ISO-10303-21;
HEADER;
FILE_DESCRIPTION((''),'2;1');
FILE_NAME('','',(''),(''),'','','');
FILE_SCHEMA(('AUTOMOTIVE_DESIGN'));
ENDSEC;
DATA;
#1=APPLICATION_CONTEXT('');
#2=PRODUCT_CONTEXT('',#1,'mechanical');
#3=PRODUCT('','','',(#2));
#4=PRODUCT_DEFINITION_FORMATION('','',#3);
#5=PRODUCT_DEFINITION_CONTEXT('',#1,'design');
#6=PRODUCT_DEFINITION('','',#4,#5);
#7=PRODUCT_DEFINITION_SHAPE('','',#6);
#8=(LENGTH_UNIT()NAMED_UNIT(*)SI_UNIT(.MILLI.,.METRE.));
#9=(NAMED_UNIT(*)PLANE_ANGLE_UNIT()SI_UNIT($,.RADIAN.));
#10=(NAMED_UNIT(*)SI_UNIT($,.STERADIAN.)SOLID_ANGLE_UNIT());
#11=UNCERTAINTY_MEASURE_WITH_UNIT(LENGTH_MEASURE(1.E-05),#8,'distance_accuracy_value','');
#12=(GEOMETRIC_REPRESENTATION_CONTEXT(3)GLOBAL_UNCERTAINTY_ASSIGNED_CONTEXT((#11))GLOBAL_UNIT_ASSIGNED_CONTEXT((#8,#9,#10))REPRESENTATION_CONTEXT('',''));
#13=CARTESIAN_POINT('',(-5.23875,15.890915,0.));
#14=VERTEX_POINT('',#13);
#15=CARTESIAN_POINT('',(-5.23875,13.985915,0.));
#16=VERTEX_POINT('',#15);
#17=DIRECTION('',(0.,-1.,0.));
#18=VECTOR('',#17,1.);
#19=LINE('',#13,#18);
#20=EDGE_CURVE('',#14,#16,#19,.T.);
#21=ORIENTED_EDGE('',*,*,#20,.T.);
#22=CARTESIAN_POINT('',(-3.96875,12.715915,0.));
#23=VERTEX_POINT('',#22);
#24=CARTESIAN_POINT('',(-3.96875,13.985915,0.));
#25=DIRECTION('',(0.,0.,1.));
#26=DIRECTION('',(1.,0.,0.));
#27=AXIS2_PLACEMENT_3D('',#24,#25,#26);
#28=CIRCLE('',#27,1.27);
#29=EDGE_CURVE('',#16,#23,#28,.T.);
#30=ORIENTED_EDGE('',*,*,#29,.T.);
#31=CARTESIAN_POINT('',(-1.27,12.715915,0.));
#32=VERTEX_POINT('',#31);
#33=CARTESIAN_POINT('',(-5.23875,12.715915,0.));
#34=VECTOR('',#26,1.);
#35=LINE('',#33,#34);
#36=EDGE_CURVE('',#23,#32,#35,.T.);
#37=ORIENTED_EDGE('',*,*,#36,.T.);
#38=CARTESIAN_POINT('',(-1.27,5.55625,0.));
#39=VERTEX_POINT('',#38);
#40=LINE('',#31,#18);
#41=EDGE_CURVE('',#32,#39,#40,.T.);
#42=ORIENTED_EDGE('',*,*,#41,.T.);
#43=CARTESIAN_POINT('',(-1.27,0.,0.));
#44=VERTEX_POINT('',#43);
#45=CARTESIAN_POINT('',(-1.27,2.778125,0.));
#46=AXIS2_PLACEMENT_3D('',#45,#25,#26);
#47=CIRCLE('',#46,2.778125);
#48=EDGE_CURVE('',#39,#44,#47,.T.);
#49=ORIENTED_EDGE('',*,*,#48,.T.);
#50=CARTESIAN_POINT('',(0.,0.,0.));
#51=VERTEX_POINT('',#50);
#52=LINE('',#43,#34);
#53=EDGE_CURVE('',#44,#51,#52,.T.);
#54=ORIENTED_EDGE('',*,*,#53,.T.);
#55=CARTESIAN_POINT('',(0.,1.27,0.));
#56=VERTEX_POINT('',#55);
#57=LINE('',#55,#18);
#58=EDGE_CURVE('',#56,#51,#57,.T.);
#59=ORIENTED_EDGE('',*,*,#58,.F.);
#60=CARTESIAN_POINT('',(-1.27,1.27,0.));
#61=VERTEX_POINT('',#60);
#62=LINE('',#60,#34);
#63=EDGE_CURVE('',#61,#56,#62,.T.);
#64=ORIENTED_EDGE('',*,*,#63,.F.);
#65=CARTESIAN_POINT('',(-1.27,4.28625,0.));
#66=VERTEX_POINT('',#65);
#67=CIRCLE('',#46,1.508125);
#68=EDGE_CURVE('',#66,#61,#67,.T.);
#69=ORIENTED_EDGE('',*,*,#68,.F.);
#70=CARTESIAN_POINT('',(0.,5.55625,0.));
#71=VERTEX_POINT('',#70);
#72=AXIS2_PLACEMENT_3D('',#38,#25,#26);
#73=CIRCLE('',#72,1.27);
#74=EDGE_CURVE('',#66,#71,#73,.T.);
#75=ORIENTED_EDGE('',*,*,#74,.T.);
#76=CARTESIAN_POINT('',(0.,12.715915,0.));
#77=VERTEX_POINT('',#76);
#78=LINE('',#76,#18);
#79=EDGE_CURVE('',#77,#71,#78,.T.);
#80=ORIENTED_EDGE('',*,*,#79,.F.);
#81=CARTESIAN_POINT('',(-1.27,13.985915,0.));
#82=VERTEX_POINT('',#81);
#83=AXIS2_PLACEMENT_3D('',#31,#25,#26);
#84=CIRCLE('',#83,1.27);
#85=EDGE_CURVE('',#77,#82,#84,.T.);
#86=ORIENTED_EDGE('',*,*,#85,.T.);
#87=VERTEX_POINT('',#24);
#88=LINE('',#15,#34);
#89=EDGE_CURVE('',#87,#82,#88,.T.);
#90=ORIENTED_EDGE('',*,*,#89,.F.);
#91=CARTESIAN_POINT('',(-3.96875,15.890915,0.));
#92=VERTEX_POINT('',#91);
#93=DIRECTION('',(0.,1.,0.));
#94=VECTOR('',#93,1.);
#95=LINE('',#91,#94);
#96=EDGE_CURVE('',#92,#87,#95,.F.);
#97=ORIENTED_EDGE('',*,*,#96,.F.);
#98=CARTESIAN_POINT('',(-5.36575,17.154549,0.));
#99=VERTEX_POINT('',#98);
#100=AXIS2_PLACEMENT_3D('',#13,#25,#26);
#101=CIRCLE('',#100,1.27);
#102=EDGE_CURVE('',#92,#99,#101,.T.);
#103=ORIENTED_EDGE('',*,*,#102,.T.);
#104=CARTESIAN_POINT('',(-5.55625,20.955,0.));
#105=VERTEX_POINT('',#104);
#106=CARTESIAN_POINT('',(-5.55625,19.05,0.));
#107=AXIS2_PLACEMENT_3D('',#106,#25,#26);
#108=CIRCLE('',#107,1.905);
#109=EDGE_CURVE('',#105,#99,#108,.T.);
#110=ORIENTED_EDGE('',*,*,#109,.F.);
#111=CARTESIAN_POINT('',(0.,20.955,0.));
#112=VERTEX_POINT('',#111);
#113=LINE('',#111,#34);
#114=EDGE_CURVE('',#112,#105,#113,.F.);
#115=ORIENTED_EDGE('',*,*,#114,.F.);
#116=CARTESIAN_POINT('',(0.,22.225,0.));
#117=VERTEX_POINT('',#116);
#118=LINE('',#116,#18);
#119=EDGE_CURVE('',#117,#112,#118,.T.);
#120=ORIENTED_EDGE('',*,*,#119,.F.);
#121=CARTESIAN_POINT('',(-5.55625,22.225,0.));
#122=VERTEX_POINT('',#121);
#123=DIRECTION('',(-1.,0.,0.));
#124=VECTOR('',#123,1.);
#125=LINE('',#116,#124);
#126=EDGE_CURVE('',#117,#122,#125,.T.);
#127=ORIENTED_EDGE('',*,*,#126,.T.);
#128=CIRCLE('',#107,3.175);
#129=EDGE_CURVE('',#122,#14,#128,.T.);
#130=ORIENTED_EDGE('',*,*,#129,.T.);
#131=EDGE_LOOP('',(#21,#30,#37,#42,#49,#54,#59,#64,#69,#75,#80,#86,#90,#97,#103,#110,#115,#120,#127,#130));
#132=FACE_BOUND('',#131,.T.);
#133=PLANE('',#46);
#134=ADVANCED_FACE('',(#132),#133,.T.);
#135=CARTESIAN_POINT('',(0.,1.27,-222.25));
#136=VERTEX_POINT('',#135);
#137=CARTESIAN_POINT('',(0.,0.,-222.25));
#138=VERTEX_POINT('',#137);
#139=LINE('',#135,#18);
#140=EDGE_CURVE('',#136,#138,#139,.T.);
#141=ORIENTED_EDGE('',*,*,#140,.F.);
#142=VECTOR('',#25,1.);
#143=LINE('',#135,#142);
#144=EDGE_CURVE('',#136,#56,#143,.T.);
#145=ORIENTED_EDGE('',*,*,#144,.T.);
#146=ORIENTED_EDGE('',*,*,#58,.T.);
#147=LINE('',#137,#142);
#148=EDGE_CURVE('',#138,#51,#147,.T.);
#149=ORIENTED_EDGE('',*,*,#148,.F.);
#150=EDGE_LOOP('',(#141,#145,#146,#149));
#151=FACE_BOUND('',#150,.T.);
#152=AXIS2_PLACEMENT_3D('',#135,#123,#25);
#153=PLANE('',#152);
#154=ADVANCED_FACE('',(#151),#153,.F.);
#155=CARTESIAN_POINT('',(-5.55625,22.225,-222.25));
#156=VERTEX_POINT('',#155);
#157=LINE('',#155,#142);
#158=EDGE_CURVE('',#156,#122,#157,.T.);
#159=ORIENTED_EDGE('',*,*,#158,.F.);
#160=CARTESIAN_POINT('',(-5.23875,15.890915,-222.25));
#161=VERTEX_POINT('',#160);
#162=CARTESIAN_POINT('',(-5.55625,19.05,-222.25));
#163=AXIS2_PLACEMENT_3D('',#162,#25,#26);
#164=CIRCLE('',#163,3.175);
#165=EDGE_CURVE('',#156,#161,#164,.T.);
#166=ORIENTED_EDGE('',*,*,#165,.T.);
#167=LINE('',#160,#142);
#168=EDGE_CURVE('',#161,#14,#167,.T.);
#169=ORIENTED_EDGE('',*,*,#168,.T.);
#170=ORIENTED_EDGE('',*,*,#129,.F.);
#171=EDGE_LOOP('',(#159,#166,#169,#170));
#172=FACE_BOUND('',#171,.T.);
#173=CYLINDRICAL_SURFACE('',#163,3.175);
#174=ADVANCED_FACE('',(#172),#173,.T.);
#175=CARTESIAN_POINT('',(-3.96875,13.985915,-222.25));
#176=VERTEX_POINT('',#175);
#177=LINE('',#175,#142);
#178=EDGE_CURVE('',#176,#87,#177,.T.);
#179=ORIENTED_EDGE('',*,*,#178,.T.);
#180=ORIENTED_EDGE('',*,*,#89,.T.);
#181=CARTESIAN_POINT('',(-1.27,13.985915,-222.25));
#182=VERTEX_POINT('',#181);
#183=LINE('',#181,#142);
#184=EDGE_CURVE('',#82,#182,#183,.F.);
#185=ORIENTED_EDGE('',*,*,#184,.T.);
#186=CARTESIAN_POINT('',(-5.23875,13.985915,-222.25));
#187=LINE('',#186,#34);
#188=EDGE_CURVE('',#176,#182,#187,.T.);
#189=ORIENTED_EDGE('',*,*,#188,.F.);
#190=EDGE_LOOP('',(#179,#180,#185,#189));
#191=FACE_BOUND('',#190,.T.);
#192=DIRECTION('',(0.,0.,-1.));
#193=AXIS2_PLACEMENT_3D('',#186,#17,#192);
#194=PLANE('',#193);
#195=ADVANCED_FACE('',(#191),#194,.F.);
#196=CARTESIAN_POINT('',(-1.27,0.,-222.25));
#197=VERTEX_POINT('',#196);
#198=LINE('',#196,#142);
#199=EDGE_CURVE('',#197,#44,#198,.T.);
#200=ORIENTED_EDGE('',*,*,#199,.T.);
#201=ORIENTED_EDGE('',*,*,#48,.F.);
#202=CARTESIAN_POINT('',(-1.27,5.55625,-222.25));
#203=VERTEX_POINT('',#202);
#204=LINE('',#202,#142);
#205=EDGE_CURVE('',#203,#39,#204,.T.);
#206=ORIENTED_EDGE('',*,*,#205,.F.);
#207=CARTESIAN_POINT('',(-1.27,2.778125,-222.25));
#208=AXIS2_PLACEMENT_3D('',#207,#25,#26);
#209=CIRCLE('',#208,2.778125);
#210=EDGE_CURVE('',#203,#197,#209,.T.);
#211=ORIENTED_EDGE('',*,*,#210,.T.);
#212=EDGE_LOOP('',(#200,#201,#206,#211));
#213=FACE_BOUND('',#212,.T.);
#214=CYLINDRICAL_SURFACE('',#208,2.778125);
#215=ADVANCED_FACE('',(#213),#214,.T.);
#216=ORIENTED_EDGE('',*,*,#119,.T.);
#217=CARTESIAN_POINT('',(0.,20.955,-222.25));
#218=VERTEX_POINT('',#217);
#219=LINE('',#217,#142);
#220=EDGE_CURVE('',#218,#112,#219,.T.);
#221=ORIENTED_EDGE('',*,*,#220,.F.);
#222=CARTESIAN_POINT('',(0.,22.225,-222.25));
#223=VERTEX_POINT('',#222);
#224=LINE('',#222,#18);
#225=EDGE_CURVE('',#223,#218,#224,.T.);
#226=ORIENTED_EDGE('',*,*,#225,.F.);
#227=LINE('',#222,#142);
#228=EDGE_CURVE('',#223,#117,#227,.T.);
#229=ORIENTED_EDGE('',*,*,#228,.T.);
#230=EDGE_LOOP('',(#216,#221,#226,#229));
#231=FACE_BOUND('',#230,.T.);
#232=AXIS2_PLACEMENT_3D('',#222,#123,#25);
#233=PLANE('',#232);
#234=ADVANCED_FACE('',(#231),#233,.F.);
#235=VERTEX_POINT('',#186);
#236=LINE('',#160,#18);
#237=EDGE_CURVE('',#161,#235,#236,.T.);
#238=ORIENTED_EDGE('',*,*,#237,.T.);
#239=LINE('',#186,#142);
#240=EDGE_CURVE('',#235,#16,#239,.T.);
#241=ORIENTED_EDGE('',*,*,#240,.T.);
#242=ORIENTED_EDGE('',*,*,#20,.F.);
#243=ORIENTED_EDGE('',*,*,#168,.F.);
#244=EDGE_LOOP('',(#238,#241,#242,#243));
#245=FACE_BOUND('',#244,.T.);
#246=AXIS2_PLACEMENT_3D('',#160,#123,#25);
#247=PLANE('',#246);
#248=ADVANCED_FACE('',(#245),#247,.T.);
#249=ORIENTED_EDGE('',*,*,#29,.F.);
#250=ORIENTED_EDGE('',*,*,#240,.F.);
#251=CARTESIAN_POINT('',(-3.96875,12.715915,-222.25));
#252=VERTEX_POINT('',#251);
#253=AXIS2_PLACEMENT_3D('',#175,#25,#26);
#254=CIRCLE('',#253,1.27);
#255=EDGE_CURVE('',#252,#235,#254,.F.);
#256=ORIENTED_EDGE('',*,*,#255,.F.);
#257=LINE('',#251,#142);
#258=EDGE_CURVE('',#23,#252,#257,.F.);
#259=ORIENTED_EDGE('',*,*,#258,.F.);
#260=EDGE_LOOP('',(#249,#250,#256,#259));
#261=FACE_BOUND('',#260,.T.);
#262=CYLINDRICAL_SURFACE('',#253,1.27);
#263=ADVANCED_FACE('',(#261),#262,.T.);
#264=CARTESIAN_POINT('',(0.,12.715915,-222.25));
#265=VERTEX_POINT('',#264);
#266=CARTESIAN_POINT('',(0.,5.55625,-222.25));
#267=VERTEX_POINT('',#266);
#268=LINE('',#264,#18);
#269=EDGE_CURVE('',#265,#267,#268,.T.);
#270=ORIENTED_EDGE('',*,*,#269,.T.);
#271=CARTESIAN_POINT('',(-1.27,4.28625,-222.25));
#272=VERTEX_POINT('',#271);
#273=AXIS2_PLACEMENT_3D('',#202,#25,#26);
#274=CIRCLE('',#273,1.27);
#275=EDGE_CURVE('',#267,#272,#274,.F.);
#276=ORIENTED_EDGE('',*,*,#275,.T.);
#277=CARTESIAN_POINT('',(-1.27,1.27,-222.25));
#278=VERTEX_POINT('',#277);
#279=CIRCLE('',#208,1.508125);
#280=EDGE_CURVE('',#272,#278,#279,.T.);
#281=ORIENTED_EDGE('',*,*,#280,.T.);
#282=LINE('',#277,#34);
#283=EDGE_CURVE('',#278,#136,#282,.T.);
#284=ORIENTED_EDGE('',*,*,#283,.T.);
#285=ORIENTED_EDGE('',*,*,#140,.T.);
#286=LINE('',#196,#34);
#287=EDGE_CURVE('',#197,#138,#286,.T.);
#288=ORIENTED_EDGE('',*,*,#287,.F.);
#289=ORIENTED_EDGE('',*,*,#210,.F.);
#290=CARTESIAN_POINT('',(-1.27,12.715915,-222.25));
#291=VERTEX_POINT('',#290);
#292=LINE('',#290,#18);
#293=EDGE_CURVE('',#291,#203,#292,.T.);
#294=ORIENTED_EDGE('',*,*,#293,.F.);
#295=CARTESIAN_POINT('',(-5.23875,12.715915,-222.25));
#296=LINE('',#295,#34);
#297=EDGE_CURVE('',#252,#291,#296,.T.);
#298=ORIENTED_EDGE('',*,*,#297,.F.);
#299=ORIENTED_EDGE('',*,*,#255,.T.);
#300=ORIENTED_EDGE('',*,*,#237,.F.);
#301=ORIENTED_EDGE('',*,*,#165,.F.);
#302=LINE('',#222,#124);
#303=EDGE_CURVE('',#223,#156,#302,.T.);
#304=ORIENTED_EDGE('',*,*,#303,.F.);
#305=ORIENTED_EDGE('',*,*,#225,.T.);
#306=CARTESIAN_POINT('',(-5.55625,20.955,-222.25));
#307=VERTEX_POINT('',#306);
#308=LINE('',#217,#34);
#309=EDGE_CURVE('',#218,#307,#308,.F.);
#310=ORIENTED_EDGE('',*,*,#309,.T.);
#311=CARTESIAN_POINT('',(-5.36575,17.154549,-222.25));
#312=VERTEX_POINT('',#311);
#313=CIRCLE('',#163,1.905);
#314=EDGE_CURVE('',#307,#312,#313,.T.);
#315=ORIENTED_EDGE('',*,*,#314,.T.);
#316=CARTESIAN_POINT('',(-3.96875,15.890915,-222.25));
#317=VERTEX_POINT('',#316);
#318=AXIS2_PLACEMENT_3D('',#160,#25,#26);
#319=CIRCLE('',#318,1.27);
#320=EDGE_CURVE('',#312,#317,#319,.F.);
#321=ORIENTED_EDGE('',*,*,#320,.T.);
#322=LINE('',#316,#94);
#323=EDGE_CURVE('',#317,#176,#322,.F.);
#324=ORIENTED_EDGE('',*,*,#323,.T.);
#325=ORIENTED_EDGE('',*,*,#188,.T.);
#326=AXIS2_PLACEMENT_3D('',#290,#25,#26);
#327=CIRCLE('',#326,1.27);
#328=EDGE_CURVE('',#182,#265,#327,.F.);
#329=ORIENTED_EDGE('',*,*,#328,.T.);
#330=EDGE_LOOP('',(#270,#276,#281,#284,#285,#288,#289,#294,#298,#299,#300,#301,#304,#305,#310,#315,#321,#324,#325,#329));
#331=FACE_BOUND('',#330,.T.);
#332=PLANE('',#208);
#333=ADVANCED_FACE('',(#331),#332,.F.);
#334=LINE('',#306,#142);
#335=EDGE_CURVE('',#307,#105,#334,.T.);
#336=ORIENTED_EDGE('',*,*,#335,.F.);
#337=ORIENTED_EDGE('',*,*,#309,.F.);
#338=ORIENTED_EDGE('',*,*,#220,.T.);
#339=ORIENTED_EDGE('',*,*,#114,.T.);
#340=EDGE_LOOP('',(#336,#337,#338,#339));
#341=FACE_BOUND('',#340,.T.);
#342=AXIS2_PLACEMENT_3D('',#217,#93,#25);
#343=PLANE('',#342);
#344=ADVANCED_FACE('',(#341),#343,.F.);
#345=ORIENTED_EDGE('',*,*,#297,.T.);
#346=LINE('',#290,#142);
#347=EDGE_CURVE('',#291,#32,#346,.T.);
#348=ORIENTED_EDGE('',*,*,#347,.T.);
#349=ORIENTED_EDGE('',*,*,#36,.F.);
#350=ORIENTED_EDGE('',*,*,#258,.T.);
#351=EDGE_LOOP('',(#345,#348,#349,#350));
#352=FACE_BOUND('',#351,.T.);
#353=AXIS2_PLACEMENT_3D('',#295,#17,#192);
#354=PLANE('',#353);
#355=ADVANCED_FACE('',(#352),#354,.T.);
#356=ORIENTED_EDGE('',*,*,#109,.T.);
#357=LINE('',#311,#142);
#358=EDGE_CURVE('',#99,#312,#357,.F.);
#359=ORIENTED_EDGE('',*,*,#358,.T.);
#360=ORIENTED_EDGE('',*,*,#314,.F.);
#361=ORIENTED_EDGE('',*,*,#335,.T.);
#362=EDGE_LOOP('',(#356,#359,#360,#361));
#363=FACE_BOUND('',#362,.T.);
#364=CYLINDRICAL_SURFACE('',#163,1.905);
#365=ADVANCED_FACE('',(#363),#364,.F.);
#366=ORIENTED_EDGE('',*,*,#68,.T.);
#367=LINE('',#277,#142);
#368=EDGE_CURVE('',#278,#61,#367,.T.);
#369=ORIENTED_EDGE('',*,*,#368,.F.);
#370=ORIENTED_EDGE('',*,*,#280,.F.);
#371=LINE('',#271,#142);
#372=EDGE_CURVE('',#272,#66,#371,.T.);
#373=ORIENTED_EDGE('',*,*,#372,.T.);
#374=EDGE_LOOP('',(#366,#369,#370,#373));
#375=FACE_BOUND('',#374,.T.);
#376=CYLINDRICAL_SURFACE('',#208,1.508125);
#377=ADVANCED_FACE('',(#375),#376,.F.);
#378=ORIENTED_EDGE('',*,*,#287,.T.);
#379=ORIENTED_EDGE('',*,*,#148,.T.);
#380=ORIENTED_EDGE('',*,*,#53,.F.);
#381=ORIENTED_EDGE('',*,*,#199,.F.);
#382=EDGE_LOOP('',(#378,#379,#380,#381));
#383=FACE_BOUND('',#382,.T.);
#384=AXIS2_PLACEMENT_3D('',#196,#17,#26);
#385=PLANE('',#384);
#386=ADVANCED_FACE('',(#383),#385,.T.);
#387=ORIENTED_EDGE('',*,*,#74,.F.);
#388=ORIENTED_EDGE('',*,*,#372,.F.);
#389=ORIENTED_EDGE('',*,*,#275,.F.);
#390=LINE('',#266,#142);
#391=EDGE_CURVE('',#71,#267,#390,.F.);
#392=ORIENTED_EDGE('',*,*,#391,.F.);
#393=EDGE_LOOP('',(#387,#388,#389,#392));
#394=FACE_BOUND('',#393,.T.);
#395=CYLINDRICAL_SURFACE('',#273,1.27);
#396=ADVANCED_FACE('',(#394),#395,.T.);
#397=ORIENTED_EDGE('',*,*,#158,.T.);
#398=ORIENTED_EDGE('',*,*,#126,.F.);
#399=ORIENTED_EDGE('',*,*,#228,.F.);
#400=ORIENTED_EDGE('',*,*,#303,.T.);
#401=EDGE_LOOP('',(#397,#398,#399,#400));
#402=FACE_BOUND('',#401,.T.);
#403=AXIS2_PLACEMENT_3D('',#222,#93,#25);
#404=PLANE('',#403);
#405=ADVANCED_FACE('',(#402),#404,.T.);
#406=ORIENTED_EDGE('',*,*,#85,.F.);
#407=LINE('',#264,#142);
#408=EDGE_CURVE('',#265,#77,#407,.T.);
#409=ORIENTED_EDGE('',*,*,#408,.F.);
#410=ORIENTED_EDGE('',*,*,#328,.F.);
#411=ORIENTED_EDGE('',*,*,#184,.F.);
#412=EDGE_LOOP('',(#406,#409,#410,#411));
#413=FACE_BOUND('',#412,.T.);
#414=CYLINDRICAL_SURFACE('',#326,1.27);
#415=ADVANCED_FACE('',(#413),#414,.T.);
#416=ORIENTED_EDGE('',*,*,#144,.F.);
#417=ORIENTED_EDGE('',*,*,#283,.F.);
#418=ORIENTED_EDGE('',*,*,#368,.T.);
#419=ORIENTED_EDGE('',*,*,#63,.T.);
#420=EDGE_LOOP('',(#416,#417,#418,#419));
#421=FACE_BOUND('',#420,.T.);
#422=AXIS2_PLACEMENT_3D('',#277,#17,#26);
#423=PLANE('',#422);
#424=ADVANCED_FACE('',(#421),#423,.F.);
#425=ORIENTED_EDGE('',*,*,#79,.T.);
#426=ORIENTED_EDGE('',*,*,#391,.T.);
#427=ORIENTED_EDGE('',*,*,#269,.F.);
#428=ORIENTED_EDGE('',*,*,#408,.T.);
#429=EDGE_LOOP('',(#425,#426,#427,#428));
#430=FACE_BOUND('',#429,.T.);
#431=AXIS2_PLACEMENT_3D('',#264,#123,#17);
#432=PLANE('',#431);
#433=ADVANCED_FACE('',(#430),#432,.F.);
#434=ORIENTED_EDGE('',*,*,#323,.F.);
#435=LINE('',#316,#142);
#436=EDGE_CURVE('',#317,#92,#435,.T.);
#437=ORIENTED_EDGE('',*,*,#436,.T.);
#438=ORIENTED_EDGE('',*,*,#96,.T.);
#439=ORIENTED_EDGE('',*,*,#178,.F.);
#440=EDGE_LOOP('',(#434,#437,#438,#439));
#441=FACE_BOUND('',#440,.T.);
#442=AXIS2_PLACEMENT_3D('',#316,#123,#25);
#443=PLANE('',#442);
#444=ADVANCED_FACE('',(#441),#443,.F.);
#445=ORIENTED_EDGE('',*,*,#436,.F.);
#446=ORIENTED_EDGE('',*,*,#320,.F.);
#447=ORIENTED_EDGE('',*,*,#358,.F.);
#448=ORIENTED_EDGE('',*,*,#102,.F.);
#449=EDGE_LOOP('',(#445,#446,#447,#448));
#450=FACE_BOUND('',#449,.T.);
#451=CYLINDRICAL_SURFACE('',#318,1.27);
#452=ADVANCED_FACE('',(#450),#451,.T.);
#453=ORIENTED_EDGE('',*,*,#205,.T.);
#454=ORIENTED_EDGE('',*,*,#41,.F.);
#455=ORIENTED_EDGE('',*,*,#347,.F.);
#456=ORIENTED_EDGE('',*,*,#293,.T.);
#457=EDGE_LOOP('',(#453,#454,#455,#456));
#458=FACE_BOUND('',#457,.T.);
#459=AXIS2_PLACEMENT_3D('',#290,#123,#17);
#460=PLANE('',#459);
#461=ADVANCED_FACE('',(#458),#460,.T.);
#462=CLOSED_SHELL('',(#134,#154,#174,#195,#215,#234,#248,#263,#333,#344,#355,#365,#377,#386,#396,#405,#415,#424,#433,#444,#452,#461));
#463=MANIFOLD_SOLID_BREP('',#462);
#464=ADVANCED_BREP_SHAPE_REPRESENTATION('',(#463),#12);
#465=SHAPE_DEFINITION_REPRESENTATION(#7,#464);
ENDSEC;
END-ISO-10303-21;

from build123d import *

# Parameters (mm, degrees)
EXTRUDE_THIN2_DEPTH = 222.25
FILLET1_R           = 1.27


with BuildPart() as part:
    # Sketch1 → Extrude-Thin2 (new body)
    with BuildSketch(Plane.XY):
        with BuildLine():
            Line((0, 22.225), (-5.55625, 22.225))
            ThreePointArc((-5.55625, 22.225), (-8.727268782, 18.891050689), (-5.23875, 15.890914887))
            Line((-5.23875, 15.890914887), (-5.23875, 12.715914887))
            Line((-5.23875, 12.715914887), (-1.27, 12.715914887))
            Line((-1.27, 12.715914887), (-1.27, 5.55625))
            ThreePointArc((-1.27, 5.55625), (-4.048125, 2.778125), (-1.27, 0))
            Line((-1.27, 0), (0, 0))
            Line((0, 0), (0, 1.27))
            Line((0, 1.27), (-1.27, 1.27))
            ThreePointArc((-1.27, 1.27), (-2.593079188, 3.501936079), (0, 3.591476717))
            Line((0, 3.591476717), (0, 13.985914887))
            Line((0, 13.985914887), (-3.96875, 13.985914887))
            Line((-3.96875, 13.985914887), (-3.96875, 17.996971629))
            ThreePointArc((-3.96875, 17.996971629), (-7.234797593, 18.1491654), (-5.55625, 20.955))
            Line((-5.55625, 20.955), (0, 20.955))
            Line((0, 20.955), (0, 22.225))
        make_face()
    extrude(amount=-EXTRUDE_THIN2_DEPTH)

    # Fillet1
    fillet1_edges = [part.edges().sort_by_distance(p)[0] for p in [
        (-5.23875, 12.715914887, -111.125),
        (-3.96875, 17.996971629, -111.125),
        (0, 13.985914887, -111.125),
        (0, 3.591476717, -111.125),
    ]]
    fillet(fillet1_edges, radius=FILLET1_R)


solid = part.part
